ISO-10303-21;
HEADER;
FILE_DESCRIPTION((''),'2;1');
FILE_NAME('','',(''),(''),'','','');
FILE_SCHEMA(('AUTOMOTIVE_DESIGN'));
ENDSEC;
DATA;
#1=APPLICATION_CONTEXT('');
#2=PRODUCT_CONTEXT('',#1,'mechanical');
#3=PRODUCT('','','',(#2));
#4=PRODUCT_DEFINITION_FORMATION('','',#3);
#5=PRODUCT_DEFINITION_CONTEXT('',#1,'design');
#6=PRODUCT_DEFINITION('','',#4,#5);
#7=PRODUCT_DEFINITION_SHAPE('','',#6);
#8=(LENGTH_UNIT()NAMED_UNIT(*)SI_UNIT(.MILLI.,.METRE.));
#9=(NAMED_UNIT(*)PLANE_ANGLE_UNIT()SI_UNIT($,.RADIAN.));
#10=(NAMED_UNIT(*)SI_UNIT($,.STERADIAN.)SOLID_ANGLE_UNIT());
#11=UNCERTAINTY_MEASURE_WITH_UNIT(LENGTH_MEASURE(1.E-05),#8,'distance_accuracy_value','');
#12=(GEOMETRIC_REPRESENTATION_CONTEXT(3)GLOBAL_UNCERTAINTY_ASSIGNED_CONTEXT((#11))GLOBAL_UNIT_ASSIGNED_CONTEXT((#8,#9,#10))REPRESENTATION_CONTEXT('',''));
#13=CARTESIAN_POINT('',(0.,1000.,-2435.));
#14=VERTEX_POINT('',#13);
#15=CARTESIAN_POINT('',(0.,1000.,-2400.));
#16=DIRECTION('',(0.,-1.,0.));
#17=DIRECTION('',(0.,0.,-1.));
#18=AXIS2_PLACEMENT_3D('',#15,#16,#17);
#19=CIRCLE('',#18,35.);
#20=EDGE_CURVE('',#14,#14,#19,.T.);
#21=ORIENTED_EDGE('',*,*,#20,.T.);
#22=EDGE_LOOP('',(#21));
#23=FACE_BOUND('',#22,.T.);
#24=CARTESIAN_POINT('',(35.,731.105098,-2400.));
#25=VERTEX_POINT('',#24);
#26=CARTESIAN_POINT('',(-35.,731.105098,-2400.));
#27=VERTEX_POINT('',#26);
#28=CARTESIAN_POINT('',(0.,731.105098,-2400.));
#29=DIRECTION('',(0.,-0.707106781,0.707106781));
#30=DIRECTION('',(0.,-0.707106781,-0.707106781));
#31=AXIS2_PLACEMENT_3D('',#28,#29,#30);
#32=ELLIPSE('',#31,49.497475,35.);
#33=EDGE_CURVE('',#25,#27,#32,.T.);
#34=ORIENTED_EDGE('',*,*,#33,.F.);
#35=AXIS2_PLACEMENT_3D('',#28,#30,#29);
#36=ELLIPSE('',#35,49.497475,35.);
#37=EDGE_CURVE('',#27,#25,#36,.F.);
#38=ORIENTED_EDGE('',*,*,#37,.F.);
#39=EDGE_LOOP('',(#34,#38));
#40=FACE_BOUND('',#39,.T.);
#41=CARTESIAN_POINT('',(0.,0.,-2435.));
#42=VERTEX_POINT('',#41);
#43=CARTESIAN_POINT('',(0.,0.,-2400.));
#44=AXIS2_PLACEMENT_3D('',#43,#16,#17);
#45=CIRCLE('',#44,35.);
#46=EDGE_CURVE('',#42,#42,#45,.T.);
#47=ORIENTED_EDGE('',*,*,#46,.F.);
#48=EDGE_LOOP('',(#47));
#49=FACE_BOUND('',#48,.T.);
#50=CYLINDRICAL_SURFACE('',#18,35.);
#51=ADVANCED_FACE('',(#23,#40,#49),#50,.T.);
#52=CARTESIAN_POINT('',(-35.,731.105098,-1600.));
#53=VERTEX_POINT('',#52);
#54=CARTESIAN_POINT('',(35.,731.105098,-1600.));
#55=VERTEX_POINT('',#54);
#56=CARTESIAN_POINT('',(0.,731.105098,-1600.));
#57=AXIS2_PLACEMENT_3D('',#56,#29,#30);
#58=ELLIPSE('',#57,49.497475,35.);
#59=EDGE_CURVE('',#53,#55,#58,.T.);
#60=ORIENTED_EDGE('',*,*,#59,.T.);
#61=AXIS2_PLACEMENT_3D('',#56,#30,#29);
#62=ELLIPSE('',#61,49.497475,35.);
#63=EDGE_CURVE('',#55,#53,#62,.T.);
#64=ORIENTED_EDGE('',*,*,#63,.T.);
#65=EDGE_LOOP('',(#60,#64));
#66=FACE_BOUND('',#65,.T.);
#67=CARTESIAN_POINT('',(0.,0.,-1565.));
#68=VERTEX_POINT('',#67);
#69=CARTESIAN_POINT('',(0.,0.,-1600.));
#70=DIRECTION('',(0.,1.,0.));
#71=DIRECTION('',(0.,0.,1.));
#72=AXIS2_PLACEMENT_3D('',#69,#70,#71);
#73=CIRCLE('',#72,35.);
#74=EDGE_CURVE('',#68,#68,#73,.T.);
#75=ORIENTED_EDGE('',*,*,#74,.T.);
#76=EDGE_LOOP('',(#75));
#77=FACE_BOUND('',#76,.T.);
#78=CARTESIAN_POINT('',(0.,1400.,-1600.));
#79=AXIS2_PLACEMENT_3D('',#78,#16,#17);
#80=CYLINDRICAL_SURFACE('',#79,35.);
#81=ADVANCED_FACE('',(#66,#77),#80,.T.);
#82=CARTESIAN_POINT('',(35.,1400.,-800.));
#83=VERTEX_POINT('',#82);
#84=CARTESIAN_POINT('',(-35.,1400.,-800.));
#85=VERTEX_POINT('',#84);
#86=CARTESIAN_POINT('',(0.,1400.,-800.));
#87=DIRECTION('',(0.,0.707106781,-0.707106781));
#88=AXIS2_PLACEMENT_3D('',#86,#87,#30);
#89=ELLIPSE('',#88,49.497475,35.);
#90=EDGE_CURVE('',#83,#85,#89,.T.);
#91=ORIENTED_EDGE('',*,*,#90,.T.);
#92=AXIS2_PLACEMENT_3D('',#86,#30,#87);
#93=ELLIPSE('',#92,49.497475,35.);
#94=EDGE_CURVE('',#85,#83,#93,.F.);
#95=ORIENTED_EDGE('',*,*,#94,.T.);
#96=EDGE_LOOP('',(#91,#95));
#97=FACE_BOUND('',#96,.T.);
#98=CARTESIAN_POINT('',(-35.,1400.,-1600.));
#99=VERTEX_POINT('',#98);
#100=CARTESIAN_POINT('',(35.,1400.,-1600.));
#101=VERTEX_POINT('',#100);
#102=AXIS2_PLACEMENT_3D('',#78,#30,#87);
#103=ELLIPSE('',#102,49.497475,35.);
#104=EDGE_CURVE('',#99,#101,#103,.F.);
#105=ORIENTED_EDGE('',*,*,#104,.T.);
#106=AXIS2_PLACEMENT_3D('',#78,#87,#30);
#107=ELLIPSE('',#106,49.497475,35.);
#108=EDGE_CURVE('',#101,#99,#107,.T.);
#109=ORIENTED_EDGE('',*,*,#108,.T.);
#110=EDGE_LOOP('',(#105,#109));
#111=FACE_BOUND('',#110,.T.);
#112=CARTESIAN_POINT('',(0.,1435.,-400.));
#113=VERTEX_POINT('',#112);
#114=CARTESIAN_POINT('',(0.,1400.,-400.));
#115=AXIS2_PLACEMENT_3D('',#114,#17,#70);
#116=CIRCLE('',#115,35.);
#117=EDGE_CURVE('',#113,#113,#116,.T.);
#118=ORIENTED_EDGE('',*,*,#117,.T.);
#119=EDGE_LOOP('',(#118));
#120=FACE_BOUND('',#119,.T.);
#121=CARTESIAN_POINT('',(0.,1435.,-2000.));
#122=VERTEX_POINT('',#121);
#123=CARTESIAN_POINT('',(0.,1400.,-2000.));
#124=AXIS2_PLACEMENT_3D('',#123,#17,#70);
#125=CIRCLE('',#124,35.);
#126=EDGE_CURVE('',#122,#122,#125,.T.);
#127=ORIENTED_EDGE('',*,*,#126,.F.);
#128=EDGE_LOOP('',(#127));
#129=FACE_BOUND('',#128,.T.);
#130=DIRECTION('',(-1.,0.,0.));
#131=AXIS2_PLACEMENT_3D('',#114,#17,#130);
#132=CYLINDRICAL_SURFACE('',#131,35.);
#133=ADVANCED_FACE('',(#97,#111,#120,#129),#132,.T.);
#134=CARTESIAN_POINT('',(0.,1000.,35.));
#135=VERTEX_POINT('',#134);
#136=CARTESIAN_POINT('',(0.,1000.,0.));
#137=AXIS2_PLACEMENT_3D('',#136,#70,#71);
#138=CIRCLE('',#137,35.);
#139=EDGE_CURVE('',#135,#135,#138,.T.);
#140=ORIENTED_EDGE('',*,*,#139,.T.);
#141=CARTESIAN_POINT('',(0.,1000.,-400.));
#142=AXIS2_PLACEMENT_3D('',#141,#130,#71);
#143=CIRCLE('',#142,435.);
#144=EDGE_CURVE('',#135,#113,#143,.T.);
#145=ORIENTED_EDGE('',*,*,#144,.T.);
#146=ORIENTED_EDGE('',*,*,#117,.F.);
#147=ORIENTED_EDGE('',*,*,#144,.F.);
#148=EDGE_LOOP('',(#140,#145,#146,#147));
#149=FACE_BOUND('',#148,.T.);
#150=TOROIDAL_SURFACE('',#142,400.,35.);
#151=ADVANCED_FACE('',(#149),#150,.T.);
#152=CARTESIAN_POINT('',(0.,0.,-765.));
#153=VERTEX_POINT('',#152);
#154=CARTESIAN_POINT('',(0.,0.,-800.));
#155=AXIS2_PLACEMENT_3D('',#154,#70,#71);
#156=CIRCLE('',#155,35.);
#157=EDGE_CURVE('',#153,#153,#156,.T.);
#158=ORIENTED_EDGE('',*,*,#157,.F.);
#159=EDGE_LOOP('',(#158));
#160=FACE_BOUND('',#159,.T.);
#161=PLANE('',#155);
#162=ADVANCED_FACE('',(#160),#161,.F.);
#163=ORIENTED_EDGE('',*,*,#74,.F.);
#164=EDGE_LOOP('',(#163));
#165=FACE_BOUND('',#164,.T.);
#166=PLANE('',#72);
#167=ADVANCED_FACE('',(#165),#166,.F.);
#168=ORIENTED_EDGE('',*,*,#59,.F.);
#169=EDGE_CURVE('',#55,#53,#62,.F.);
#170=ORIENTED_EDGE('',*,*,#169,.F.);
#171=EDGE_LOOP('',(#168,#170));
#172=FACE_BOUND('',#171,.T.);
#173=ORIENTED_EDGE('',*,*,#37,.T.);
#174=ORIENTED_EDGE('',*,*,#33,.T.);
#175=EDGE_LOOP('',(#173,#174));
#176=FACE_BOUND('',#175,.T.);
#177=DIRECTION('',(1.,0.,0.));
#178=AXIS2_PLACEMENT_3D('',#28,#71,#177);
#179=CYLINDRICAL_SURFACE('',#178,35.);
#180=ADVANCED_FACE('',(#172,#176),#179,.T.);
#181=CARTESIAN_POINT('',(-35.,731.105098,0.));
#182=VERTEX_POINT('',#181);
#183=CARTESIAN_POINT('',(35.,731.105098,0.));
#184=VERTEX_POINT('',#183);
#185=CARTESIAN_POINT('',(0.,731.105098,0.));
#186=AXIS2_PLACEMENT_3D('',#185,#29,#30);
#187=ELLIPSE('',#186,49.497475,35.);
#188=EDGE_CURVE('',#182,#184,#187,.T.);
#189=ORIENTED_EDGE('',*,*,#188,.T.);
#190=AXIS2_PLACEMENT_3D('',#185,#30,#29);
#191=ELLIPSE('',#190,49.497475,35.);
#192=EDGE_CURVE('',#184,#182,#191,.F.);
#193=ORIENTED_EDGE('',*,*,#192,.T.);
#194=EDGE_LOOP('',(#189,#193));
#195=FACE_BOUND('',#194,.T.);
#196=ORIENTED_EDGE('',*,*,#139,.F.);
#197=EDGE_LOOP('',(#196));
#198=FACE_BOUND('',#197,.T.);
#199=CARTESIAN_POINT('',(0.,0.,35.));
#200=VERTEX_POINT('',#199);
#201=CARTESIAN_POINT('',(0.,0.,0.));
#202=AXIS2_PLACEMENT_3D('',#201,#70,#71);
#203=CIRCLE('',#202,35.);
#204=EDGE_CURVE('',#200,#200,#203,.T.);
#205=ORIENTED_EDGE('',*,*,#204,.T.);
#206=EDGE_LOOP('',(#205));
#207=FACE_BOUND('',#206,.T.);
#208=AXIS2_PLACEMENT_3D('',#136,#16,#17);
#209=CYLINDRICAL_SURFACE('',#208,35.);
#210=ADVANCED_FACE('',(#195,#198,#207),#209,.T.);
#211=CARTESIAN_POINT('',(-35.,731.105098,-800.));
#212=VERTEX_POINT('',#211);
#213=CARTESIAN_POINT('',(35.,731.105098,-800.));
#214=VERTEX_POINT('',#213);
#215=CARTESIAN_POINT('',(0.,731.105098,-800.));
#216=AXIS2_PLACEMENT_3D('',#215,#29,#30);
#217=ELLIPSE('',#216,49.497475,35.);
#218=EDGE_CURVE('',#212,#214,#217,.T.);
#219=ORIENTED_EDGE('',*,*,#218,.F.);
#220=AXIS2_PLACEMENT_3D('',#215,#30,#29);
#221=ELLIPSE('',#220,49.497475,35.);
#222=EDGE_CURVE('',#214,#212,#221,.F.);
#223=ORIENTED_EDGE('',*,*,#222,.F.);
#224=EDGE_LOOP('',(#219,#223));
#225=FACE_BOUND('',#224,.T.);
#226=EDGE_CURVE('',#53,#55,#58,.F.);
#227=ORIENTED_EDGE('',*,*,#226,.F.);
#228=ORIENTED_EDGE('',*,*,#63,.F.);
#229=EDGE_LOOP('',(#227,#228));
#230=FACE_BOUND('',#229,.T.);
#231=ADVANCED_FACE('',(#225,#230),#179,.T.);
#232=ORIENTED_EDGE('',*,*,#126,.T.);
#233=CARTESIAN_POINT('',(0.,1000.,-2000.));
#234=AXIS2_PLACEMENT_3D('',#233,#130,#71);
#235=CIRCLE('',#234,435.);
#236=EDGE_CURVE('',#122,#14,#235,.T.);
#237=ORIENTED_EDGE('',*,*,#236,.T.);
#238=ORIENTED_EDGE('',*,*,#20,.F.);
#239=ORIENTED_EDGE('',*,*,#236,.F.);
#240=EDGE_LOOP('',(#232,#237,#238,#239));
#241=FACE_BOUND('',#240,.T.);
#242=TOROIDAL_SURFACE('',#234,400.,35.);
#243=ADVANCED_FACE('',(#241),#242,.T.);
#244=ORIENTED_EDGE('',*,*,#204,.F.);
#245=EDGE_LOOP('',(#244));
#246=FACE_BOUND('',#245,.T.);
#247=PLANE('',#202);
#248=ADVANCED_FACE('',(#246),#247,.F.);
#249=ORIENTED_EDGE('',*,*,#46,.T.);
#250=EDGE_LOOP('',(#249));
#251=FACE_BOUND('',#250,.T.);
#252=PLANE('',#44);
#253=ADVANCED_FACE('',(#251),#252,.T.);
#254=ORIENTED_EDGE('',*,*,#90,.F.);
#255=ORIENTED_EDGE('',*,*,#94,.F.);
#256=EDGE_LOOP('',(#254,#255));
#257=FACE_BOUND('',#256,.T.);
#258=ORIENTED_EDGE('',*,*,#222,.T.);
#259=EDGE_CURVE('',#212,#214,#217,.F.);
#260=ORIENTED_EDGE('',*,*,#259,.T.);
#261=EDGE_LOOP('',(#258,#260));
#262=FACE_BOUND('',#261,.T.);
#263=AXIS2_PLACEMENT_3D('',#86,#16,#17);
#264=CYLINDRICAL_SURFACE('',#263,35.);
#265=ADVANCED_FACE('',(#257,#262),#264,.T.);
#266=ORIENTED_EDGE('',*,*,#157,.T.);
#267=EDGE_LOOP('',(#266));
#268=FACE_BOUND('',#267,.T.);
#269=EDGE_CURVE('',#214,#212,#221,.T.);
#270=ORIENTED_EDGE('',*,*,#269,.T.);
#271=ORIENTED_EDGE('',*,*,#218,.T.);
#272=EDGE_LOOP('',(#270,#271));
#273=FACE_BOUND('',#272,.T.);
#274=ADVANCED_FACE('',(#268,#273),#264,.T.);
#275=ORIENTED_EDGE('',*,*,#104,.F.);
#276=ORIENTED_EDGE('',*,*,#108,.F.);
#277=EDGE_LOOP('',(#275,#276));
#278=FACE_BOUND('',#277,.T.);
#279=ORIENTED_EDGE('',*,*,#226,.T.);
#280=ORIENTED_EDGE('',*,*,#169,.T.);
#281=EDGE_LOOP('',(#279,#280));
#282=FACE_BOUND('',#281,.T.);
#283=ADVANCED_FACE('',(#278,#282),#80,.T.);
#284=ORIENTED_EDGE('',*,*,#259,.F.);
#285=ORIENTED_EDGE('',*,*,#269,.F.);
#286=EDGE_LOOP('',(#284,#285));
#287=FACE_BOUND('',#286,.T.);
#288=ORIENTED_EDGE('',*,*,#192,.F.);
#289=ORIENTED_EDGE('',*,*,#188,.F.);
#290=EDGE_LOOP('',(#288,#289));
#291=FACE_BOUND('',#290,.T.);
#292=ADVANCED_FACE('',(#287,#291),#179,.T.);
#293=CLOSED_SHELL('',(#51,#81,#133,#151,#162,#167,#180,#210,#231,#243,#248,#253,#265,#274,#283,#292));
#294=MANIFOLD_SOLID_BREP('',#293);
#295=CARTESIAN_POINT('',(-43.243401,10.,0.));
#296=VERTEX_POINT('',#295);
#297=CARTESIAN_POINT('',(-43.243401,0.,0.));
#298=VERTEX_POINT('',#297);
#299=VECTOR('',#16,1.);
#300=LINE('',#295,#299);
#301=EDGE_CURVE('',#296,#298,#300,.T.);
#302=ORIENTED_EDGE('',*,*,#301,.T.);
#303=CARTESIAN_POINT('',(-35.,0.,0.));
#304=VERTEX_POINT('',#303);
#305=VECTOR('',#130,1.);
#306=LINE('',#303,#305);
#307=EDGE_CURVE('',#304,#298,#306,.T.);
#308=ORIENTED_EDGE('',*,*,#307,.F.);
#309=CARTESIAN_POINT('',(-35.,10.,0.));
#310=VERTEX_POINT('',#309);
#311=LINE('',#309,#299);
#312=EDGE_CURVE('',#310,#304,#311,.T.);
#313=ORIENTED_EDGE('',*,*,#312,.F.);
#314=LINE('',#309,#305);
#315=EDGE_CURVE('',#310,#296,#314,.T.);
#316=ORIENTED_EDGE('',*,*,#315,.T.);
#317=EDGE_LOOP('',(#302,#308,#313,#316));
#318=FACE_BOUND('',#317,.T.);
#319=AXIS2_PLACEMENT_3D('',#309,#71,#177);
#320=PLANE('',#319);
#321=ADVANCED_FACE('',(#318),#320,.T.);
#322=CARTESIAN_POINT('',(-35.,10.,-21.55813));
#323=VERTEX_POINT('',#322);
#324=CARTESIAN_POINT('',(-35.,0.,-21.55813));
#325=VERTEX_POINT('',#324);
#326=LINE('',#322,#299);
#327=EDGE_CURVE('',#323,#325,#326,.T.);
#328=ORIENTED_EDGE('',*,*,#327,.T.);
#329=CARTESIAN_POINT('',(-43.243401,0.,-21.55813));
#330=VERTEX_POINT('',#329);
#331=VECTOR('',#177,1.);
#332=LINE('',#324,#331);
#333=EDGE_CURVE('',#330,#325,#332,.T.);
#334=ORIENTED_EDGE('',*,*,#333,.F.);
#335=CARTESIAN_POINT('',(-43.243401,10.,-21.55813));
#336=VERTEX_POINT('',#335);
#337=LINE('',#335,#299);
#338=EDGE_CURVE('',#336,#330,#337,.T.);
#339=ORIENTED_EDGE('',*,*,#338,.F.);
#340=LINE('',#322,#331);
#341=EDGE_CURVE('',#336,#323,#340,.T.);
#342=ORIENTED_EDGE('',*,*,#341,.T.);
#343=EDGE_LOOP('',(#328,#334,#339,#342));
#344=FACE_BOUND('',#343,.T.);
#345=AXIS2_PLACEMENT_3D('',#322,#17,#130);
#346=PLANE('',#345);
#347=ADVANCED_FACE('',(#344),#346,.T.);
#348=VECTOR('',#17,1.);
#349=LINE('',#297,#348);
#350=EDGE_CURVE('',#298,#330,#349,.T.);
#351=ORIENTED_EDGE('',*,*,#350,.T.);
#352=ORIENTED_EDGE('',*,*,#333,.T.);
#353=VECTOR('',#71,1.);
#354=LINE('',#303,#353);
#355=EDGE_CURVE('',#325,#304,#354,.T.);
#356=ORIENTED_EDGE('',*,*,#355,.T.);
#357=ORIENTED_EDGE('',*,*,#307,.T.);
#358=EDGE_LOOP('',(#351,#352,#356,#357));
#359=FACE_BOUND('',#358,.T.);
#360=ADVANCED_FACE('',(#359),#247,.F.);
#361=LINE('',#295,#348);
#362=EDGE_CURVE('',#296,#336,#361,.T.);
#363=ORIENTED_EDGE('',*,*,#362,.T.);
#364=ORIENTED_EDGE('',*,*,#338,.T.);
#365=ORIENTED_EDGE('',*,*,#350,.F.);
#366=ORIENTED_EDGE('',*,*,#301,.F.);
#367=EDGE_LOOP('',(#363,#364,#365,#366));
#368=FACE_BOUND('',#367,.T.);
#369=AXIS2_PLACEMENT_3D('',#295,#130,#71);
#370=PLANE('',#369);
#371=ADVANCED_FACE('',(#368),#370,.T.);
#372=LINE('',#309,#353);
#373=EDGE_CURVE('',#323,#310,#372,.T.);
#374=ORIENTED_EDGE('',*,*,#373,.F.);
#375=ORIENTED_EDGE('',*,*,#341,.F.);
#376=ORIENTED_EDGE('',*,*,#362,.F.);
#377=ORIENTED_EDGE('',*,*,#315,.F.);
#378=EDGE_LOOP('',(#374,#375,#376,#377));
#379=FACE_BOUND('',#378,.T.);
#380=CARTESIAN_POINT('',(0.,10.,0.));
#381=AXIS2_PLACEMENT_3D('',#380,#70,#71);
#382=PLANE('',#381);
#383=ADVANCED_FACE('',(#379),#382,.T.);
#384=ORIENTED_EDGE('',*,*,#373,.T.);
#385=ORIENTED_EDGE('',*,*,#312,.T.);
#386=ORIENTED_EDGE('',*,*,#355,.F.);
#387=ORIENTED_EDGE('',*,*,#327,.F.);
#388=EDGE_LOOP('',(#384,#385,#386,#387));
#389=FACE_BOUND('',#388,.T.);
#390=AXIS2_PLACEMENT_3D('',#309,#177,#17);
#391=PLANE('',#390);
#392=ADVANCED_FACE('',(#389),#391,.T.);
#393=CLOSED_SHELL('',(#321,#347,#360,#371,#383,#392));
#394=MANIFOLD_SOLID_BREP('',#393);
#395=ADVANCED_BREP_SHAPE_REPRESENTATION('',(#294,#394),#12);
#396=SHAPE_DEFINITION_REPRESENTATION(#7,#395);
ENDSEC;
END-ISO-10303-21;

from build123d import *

# Parameters (mm, degrees)
SKETCH_2_R      = 35
SKETCH_3_R      = 35
EXTRUDE_1_DEPTH = 1400
SKETCH_4_R      = 35
EXTRUDE_2_DEPTH = 2400
SKETCH_5_W      = 8.243400837
SKETCH_5_H      = 21.558129969
EXTRUDE_3_DEPTH = 10


with BuildPart() as part:
    # 扫描1: sweep along a path in 草图1
    with BuildLine(Plane(origin=(0, 0, 0), x_dir=(0, 0, -1), z_dir=(1, 0, 0))) as sweep_1_path:
        Line((0, 0), (0, 1000))
        ThreePointArc((0, 1000), (117.157287525, 1282.842712475), (400, 1400))
        Line((400, 1400), (2000, 1400))
        ThreePointArc((2000, 1400), (2282.842712475, 1282.842712475), (2400, 1000))
        Line((2400, 1000), (2400, 0))
    # 草图2 → 扫描1 (sweep)
    with BuildSketch(Plane(origin=(0, 0, 0), x_dir=(1, 0, 0), z_dir=(0, 1, 0))):
        Circle(SKETCH_2_R)
    sweep(path=sweep_1_path.line)

    # 草图3 → 凸台-拉伸1 (add)
    with BuildSketch(Plane(origin=(0, 0, 0), x_dir=(1, 0, 0), z_dir=(0, 1, 0))):
        with Locations(Location((0, 1600, 0), (0, 0, 180))):
            Circle(SKETCH_3_R)
        with Locations(Location((0, 800, 0), (0, 0, 180))):
            Circle(SKETCH_3_R)
    extrude(amount=EXTRUDE_1_DEPTH)

    # 草图4 → 凸台-拉伸2 (add)
    with BuildSketch(Plane.XY):
        with Locations((0, 731.105097609)):
            Circle(SKETCH_4_R)
    extrude(amount=-EXTRUDE_2_DEPTH)


with BuildPart() as body_2:
    # 草图5 → 凸台-拉伸3 (new body)
    with BuildSketch(Plane.XZ):
        with Locations((-39.121700418, -10.779064985)):
            Rectangle(SKETCH_5_W, SKETCH_5_H)
    extrude(amount=-EXTRUDE_3_DEPTH)


solid = Compound([part.part, body_2.part])
